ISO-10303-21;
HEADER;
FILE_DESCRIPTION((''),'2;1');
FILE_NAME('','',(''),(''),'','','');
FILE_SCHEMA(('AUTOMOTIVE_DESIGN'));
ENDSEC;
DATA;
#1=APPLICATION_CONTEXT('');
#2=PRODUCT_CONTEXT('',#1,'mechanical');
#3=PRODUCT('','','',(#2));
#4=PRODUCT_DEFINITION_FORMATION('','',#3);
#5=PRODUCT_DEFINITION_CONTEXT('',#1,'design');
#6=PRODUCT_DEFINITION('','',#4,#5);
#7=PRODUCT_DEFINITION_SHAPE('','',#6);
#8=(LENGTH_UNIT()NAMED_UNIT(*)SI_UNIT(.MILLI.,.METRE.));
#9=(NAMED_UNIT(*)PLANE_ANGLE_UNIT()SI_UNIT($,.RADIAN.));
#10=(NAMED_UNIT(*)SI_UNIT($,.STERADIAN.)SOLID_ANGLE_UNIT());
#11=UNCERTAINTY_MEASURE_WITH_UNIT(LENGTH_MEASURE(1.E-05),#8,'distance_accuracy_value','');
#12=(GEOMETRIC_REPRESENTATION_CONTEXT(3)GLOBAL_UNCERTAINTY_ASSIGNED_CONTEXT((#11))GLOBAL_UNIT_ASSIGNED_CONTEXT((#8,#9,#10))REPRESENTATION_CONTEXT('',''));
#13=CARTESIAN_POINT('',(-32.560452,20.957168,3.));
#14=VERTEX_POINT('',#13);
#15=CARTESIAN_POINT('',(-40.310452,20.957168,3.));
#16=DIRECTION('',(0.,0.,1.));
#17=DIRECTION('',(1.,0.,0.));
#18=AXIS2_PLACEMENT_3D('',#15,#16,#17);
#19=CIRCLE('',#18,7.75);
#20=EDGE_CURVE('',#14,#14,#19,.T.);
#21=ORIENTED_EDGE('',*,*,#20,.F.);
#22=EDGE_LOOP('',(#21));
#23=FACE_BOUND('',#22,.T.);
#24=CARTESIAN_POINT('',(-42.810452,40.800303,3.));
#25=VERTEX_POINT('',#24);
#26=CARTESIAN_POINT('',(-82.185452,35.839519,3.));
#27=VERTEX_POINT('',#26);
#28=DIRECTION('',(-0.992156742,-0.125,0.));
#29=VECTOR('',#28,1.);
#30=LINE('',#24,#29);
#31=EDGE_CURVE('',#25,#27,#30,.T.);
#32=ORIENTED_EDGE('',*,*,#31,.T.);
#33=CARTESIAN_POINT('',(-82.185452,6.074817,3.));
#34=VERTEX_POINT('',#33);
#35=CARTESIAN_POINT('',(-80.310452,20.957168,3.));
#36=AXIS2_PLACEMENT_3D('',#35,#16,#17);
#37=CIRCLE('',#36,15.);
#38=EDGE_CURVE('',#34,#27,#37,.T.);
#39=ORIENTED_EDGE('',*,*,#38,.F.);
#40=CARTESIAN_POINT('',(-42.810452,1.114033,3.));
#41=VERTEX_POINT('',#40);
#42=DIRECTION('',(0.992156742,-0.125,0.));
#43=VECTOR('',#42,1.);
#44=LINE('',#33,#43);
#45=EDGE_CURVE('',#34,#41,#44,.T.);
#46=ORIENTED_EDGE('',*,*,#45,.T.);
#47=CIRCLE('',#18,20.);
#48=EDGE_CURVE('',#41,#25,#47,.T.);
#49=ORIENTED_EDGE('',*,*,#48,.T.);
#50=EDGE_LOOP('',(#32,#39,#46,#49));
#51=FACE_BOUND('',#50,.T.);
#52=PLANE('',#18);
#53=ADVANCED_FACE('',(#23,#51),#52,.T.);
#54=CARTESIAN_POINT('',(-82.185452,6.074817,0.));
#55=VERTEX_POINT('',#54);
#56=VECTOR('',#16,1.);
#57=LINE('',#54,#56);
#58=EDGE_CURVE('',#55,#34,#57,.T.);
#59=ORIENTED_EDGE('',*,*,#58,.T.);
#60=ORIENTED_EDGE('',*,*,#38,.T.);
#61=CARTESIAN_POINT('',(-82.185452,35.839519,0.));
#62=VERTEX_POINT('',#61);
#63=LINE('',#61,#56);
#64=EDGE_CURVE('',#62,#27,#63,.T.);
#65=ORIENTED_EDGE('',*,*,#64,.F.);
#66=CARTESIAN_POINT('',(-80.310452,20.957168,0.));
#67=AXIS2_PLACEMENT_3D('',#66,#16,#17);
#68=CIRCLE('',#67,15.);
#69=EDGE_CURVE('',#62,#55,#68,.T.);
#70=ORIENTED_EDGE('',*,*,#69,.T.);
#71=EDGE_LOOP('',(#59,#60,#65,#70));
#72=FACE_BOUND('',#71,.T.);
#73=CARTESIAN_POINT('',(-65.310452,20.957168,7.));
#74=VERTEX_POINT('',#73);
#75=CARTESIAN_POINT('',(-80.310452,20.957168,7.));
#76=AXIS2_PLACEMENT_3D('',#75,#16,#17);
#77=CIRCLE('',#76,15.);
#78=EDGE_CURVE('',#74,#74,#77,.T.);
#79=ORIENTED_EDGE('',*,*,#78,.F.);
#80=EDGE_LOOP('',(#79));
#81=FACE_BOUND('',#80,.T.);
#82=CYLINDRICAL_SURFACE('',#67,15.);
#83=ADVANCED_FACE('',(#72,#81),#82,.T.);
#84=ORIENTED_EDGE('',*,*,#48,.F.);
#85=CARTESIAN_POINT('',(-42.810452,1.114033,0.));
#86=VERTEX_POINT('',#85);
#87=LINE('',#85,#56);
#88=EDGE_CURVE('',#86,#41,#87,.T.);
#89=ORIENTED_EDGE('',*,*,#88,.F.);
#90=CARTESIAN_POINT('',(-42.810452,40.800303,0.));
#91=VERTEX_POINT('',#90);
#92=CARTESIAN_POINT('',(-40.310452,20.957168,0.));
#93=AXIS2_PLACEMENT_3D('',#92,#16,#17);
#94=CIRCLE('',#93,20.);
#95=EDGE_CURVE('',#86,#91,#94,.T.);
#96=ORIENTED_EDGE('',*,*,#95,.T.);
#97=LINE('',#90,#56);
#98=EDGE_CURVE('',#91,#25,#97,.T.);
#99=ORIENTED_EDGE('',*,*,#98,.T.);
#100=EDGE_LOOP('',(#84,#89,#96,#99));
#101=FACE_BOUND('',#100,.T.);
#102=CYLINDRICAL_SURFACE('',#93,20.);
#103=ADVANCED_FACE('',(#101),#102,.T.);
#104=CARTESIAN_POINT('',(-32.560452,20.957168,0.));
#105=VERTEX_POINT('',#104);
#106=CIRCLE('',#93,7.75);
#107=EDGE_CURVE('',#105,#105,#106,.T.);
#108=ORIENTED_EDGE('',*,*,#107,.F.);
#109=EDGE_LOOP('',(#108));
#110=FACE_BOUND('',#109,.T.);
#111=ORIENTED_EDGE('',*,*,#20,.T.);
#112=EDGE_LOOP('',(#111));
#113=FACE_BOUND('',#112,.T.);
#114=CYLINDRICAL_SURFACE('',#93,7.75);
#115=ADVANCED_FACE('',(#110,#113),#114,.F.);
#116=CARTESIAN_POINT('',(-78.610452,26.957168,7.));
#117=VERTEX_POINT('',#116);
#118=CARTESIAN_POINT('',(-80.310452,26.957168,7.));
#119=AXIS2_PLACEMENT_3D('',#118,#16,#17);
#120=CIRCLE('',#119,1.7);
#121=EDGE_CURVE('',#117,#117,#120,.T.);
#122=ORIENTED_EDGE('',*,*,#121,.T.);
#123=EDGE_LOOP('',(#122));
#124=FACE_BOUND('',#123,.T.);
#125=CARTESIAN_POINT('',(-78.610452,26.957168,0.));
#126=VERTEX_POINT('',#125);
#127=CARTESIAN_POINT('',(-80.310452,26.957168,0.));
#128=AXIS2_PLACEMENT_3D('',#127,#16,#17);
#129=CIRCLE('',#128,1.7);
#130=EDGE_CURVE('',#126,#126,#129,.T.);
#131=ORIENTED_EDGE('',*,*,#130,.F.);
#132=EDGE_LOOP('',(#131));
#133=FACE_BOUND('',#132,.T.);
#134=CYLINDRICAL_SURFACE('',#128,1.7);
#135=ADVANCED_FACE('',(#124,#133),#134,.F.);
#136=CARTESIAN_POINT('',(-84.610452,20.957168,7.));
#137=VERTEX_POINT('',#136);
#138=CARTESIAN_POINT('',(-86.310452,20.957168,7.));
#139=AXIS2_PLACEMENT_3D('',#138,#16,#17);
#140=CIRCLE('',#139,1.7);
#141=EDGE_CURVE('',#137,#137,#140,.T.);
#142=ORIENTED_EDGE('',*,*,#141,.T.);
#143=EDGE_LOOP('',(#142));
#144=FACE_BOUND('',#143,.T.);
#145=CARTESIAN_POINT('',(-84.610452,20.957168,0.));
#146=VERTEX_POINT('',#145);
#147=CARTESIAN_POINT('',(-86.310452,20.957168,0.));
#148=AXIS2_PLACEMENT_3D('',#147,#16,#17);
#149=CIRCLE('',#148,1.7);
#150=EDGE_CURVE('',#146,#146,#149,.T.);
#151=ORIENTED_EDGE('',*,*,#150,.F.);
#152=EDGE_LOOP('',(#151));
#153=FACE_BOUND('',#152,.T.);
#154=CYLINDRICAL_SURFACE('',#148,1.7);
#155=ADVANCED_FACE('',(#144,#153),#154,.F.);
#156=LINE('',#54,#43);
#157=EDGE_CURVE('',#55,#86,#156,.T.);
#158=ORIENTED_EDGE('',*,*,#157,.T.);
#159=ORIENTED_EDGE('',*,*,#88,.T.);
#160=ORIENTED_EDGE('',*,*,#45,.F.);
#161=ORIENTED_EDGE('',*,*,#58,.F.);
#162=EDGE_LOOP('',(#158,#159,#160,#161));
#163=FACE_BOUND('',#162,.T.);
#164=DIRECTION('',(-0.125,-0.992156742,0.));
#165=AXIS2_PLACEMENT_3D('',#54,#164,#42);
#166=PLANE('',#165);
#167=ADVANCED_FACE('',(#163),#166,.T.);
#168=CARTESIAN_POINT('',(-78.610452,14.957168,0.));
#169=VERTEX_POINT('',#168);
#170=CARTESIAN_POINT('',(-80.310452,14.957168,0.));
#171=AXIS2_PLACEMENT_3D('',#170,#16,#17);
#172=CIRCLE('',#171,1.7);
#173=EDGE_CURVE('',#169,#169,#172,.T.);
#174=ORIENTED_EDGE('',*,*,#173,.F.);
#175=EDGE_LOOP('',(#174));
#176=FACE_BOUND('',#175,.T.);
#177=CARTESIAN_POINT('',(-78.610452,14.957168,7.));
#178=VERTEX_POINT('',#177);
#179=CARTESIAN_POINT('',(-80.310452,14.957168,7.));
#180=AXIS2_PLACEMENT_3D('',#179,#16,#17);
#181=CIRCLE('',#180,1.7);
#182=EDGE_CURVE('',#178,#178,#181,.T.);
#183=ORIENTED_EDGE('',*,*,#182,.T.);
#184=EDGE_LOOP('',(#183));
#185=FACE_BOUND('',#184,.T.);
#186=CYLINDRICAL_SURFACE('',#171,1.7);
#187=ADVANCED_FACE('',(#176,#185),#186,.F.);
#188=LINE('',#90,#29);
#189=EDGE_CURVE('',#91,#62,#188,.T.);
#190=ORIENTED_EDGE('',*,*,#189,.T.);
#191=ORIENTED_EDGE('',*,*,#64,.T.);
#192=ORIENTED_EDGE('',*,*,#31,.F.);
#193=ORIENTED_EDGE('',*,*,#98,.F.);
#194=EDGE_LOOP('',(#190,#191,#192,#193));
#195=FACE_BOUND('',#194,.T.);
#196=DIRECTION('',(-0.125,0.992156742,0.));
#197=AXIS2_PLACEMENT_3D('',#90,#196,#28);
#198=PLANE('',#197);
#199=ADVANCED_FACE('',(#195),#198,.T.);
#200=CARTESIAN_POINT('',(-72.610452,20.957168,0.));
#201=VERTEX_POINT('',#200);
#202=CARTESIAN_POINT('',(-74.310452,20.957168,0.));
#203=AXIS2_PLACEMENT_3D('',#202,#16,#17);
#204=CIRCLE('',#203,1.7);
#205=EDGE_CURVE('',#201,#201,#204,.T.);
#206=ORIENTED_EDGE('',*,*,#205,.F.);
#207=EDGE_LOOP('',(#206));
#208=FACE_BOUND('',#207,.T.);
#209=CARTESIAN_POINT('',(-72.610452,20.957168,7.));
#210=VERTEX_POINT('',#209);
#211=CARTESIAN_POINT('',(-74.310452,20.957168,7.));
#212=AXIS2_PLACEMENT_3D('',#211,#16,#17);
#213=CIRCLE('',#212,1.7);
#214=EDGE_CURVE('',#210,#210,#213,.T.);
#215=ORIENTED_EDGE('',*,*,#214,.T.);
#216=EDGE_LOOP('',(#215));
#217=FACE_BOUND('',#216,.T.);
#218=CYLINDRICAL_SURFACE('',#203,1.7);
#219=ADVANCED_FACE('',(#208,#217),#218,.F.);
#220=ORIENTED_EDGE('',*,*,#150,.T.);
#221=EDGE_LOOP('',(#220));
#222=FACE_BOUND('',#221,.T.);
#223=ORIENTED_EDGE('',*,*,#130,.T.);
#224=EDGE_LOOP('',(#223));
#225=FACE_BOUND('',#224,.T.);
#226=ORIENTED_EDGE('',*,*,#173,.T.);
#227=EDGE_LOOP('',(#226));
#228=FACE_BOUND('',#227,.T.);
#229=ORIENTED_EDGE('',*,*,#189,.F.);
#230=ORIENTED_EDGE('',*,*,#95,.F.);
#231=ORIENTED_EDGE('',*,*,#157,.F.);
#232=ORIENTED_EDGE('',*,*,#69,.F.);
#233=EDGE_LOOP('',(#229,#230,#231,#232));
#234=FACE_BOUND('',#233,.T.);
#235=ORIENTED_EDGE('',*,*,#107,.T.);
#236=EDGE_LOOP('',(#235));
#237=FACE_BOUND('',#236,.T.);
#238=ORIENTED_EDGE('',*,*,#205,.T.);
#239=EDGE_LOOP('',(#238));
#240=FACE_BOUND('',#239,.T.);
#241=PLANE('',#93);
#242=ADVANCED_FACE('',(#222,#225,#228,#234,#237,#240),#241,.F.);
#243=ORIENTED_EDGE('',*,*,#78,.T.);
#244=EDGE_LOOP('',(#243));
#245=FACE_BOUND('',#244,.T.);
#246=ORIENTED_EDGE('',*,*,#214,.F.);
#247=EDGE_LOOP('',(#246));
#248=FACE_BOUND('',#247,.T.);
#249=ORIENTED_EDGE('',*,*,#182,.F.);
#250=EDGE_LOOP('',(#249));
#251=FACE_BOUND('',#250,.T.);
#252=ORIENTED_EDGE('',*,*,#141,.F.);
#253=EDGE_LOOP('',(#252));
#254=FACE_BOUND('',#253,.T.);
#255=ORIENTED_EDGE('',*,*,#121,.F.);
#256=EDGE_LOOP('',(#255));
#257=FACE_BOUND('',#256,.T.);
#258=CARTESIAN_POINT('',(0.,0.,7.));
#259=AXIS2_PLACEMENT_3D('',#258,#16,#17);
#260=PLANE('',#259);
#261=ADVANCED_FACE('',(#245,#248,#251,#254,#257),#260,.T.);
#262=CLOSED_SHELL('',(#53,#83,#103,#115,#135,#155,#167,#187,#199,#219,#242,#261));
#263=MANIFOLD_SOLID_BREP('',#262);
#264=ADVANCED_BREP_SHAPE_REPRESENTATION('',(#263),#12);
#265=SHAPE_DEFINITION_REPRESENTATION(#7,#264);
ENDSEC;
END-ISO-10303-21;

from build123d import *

# Parameters (mm, degrees)
SKETCH1_R               = 7.75
BOSS_EXTRUDE1_DEPTH     = 3
BOSS_EXTRUDE2_START     = 4
SKETCH2_R               = 15
BOSS_EXTRUDE2_DEPTH     = 4
CUT_EXTRUDE1_DEPTH      = 104.81508538
CUT_EXTRUDE1_DEPTH_BACK = 104.81508538
SKETCH2_3_R             = 1.7


with BuildPart() as part:
    # Sketch1 → Boss-Extrude1 (new body)
    with BuildSketch(Plane.XY.offset(3)):
        with BuildLine():
            Line((-42.810452402, 40.800302889), (-82.185452402, 35.839519181))
            ThreePointArc((-82.185452402, 35.839519181), (-95.310452402, 20.957168056), (-82.185452402, 6.074816932))
            Line((-82.185452402, 6.074816932), (-42.810452402, 1.114033223))
            ThreePointArc((-42.810452402, 1.114033223), (-20.310452402, 20.957168056), (-42.810452402, 40.800302889))
        make_face()
        with Locations((-40.310452402, 20.957168056)):
            Circle(SKETCH1_R, mode=Mode.SUBTRACT)
    extrude(amount=-BOSS_EXTRUDE1_DEPTH)

    # Sketch2 → Boss-Extrude2 (add)
    with BuildSketch(Plane.XY.offset(3).offset(BOSS_EXTRUDE2_START)):
        with Locations((-80.310452402, 20.957168056)):
            Circle(SKETCH2_R)
    extrude(amount=-BOSS_EXTRUDE2_DEPTH)

    # Sketch2<3> → Cut-Extrude1 (cut, two sides: drawn at the far end of the back side and taken through both)
    with BuildSketch(Plane.XY.offset(3).offset(-CUT_EXTRUDE1_DEPTH_BACK)):
        with Locations((-86.310452402, 20.957168056)):
            Circle(SKETCH2_3_R)
        with Locations((-80.310452402, 26.957168056)):
            Circle(SKETCH2_3_R)
        with Locations((-74.310452402, 20.957168056)):
            Circle(SKETCH2_3_R)
        with Locations((-80.310452402, 14.957168056)):
            Circle(SKETCH2_3_R)
    extrude(amount=CUT_EXTRUDE1_DEPTH + CUT_EXTRUDE1_DEPTH_BACK, mode=Mode.SUBTRACT)


solid = part.part
